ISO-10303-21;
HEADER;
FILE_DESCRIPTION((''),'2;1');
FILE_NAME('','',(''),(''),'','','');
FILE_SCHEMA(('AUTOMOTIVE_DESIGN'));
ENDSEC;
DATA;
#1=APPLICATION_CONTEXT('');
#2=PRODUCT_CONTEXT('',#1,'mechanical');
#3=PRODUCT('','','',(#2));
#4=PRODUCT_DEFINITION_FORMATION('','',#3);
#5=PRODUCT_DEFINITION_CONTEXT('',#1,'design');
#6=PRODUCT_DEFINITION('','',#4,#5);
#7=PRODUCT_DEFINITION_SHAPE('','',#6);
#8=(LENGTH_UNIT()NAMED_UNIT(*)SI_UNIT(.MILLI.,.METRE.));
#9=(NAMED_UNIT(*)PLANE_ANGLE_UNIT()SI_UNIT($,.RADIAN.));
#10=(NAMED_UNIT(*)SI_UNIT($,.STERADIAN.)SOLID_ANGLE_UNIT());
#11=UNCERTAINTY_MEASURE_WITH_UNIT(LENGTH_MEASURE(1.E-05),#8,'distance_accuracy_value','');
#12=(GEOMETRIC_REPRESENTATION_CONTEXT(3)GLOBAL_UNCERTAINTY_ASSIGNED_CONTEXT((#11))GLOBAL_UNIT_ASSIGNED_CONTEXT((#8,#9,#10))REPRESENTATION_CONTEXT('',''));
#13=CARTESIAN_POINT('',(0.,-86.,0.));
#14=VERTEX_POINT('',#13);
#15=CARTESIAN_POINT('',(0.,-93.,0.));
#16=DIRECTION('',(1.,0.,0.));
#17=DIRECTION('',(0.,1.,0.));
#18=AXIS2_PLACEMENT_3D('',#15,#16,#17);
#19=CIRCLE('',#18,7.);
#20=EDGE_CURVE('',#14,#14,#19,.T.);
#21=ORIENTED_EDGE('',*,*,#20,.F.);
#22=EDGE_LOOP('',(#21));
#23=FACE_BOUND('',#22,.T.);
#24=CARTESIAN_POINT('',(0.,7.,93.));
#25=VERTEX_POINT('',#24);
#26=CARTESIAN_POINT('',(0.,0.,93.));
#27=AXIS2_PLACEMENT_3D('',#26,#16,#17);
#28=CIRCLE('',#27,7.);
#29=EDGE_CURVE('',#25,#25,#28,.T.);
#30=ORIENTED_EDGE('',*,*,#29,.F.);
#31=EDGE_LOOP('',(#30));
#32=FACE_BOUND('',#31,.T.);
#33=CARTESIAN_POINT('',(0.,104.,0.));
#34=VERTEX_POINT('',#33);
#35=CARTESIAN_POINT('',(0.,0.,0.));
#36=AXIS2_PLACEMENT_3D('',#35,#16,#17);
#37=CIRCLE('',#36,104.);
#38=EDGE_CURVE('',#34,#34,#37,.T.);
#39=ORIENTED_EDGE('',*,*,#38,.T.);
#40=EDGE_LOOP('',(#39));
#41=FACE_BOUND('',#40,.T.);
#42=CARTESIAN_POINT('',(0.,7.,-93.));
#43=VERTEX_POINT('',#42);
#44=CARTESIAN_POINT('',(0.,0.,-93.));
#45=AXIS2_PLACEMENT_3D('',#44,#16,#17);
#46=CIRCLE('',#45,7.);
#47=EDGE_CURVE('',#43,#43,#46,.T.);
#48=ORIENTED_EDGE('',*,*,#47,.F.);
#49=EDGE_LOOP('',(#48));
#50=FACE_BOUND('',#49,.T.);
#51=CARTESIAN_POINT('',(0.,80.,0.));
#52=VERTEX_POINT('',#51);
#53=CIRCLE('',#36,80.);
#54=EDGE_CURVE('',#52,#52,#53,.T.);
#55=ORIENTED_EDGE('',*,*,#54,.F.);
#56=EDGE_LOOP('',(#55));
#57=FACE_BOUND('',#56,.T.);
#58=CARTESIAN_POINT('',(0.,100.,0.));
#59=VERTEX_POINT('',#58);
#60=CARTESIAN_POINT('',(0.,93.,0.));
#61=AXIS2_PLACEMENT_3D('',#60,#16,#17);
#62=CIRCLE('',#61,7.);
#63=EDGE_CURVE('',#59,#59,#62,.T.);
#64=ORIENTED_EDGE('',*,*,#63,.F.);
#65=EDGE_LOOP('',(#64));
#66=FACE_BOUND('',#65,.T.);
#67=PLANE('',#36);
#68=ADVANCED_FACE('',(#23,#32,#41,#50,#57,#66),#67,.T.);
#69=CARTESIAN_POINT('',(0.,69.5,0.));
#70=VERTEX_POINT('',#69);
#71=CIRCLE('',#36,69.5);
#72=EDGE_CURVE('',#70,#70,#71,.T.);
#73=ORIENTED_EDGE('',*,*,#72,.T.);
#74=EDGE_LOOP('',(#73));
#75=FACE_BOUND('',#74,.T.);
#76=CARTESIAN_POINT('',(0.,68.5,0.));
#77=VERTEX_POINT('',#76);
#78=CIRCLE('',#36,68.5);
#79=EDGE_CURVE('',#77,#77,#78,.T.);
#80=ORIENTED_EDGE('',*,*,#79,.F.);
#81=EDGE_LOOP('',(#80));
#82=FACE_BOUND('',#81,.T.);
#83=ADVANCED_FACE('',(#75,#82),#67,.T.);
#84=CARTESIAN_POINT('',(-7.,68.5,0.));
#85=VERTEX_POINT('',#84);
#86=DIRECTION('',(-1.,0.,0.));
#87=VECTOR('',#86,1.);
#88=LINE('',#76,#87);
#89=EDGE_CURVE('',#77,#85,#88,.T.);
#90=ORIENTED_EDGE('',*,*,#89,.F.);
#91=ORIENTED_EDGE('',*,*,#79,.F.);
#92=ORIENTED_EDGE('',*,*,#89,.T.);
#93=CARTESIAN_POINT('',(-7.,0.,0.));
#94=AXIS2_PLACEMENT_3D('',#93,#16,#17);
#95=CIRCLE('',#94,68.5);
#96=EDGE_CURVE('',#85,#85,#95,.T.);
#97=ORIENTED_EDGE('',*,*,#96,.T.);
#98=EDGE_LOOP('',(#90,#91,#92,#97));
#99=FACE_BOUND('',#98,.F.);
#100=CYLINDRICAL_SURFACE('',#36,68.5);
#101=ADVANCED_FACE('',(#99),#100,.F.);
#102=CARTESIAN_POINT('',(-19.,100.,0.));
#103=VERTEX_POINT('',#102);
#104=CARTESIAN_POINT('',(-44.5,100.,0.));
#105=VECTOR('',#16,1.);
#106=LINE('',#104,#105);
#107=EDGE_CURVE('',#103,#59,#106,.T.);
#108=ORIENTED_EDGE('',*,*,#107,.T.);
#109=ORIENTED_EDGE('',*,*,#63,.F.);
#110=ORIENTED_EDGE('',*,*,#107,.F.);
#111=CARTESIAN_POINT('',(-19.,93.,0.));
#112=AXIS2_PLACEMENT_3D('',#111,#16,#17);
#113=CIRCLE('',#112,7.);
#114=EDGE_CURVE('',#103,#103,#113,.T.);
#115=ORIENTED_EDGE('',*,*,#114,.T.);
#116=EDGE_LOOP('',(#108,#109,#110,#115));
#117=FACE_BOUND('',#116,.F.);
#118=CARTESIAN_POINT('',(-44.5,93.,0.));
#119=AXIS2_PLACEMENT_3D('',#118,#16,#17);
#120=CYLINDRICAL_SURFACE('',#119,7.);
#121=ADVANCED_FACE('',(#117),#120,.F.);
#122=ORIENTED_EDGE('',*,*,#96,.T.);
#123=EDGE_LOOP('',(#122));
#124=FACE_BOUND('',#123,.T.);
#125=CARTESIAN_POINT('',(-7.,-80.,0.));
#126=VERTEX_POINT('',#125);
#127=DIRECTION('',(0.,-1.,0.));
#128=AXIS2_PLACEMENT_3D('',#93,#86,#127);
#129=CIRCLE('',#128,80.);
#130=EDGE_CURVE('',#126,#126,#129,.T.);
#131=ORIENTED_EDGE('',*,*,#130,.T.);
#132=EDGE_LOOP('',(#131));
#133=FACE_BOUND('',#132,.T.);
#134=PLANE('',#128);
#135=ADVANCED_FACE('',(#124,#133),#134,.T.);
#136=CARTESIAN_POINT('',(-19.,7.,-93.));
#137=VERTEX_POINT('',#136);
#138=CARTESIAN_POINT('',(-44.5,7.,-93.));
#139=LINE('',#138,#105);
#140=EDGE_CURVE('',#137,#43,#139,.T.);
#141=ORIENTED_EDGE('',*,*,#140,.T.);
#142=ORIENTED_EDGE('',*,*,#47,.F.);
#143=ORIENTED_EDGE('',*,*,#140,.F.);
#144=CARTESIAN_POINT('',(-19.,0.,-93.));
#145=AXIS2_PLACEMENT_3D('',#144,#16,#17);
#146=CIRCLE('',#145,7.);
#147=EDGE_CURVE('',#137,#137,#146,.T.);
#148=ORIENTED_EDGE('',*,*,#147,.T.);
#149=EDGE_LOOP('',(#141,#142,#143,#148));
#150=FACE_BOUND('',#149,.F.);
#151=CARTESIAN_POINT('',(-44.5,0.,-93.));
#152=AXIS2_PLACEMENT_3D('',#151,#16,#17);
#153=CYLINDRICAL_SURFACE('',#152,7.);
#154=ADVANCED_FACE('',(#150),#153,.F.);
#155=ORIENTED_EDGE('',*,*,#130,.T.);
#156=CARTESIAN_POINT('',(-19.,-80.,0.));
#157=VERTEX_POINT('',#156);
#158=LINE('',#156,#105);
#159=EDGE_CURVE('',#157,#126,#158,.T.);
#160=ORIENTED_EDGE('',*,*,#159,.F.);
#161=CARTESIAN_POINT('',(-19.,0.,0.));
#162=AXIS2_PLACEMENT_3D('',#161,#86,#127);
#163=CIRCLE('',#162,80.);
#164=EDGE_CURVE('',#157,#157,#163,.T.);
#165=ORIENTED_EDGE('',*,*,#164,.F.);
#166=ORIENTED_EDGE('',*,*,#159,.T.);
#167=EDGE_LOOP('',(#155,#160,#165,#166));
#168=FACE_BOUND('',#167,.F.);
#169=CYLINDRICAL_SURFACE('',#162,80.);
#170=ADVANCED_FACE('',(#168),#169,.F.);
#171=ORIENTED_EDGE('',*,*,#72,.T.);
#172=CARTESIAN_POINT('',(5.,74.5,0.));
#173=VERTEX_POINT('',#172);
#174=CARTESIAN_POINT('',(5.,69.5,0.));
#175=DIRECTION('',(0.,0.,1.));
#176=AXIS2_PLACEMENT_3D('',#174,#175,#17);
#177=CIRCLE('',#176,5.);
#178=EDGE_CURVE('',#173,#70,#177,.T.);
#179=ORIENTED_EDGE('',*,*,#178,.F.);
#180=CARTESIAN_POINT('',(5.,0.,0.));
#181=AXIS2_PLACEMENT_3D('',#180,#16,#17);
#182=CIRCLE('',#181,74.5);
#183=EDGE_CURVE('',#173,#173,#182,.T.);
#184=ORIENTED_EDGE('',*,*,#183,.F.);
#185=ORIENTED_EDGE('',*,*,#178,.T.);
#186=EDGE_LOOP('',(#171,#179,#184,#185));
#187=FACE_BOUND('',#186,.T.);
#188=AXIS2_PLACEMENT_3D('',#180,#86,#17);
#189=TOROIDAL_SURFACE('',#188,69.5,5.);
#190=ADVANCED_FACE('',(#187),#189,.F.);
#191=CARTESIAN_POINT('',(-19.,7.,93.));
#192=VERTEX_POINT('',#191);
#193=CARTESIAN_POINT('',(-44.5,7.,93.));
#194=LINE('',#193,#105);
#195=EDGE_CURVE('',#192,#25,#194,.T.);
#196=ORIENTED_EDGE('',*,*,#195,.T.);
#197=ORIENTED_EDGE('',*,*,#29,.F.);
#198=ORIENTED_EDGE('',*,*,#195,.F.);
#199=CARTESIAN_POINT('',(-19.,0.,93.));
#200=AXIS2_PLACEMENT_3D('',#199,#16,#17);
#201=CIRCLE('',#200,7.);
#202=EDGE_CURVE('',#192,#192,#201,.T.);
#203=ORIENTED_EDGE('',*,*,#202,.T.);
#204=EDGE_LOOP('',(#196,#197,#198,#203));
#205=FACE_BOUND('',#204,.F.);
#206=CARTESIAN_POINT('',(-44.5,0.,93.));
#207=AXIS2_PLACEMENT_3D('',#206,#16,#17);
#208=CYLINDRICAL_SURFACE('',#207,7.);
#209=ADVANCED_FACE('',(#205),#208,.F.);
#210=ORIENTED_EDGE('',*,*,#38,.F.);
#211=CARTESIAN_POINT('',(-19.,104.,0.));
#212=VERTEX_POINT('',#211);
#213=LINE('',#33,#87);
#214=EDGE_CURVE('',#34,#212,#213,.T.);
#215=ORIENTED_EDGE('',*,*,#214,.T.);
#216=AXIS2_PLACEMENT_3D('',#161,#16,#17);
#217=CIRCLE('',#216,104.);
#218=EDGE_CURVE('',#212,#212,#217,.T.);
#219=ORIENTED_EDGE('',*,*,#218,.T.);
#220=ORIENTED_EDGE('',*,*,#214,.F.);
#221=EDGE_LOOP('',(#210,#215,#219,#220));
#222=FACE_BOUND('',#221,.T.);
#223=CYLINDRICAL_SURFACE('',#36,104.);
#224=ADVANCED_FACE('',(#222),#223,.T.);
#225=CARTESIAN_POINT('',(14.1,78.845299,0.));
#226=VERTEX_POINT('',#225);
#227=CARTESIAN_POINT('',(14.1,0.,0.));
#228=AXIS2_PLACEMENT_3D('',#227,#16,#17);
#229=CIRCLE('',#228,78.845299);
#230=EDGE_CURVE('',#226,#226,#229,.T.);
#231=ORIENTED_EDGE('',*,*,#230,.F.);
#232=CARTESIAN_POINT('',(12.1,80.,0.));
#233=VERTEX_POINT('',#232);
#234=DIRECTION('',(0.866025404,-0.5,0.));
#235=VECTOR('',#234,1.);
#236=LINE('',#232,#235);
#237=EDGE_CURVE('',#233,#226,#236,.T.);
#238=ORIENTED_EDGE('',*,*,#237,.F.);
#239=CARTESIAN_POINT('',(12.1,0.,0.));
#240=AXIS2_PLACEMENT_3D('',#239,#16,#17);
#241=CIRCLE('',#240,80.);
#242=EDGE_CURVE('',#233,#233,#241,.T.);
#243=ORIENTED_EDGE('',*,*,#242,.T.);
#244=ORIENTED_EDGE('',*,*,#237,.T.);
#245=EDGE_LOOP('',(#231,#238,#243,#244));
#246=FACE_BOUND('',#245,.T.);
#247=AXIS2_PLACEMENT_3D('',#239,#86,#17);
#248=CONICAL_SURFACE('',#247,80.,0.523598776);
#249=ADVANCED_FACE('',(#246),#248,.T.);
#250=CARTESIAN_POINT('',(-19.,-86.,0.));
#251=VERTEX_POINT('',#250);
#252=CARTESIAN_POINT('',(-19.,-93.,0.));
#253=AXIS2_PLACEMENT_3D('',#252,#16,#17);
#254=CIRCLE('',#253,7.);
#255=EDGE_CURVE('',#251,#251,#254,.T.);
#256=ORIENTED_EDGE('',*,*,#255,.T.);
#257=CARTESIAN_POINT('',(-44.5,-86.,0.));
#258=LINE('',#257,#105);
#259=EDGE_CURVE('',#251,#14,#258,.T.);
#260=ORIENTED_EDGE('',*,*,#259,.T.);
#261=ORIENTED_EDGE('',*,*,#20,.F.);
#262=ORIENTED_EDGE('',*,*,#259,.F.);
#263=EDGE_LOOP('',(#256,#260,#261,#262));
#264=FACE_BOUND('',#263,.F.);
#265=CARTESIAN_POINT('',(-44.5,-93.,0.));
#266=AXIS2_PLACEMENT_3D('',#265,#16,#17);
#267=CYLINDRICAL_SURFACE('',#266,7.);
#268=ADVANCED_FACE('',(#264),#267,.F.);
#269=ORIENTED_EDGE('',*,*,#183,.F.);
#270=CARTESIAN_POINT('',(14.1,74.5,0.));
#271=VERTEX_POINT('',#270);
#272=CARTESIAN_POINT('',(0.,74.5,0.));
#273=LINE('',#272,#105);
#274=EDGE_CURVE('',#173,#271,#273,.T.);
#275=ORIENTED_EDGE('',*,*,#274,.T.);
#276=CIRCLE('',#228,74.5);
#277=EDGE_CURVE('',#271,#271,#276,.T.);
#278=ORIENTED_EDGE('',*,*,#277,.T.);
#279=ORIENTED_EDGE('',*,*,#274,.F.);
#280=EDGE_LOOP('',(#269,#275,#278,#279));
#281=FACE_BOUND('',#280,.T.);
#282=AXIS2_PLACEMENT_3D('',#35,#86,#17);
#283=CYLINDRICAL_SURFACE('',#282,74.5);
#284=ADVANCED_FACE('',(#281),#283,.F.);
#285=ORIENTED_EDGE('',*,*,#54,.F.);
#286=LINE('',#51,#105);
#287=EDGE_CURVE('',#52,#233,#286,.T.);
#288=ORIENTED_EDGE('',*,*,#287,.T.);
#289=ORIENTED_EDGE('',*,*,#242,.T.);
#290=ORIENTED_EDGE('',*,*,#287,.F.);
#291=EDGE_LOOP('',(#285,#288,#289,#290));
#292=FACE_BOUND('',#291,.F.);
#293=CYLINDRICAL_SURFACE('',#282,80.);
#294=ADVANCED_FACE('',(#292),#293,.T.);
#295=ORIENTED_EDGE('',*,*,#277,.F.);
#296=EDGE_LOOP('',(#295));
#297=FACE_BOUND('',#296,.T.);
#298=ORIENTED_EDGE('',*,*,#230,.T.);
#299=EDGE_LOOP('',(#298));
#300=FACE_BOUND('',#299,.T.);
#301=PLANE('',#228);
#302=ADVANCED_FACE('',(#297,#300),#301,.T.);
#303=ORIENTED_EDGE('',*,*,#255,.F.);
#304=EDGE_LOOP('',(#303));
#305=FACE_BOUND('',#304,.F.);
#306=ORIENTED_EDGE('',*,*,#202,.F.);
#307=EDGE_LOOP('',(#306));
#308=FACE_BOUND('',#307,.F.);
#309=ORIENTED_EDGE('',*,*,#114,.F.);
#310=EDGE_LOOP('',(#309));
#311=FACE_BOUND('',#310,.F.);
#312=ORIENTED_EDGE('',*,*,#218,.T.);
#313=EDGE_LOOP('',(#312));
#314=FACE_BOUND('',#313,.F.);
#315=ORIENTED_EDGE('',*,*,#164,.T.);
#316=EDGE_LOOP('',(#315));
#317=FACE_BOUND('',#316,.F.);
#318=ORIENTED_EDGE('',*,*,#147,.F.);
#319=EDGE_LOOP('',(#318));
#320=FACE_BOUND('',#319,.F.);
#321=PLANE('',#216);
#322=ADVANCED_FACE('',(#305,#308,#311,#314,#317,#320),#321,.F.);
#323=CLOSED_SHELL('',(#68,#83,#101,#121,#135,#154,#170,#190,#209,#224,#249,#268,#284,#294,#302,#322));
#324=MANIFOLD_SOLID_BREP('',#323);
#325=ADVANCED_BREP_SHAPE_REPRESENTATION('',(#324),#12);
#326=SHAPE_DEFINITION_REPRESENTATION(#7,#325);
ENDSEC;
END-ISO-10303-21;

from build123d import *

# Parameters (mm, degrees)
F0_R     = 104
F0_R_2   = 68.5
F1_DEPTH = 19
F2_R     = 80
F2_R_2   = 74.5
F3_DEPTH = 14.1
F4_R     = 80
F5_DEPTH = 12
F6_SIZE2 = 1.1547005384
F6_SIZE  = 2
F7_R     = 5
F9_D     = 14
F9_DEPTH = 25.5
F9_TIP   = 4.2060243332


with BuildPart() as f1:
    # F0 (on Right) → F1 (new body)
    with BuildSketch(Plane.YZ):
        Circle(F0_R)
        Circle(F0_R_2, mode=Mode.SUBTRACT)
    extrude(amount=-F1_DEPTH)

    # F2 (on face) → F3 (join)
    with BuildSketch(Plane.YZ):
        Circle(F2_R)
        Circle(F2_R_2, mode=Mode.SUBTRACT)
    extrude(amount=F3_DEPTH)

    # F4 (on face) → F5 (cut)
    with BuildSketch(Plane(origin=(-19, 0, 0), x_dir=(0, -1, 0), z_dir=(-1, 0, 0))):
        Circle(F4_R)
    extrude(amount=-F5_DEPTH, mode=Mode.SUBTRACT)

    # F6
    f6_edges = [f1.edges().sort_by_distance(p)[0] for p in [
        (14.1, -80, 0),
    ]]
    f6_side = f1.faces().sort_by_distance((7.05, -80, 0))[0]
    chamfer(f6_edges, length=F6_SIZE, length2=F6_SIZE2, reference=f6_side)

    # F7
    f7_edges = [f1.edges().sort_by_distance(p)[0] for p in [
        (0, -74.5, 0),
    ]]
    fillet(f7_edges, radius=F7_R)

    # F9
    with Locations(Plane(origin=(-19, 0, 0), x_dir=(0, -1, 0), z_dir=(-1, 0, 0))):
        with Locations((0, -93), (-93, 0), (0, 93), (93, 0)):
            Hole(F9_D / 2, depth=F9_DEPTH)
            with Locations((0, 0, -(F9_DEPTH + F9_TIP / 2))):  # 118° drill point
                Cone(0, F9_D / 2, F9_TIP, mode=Mode.SUBTRACT)


solid = f1.part
